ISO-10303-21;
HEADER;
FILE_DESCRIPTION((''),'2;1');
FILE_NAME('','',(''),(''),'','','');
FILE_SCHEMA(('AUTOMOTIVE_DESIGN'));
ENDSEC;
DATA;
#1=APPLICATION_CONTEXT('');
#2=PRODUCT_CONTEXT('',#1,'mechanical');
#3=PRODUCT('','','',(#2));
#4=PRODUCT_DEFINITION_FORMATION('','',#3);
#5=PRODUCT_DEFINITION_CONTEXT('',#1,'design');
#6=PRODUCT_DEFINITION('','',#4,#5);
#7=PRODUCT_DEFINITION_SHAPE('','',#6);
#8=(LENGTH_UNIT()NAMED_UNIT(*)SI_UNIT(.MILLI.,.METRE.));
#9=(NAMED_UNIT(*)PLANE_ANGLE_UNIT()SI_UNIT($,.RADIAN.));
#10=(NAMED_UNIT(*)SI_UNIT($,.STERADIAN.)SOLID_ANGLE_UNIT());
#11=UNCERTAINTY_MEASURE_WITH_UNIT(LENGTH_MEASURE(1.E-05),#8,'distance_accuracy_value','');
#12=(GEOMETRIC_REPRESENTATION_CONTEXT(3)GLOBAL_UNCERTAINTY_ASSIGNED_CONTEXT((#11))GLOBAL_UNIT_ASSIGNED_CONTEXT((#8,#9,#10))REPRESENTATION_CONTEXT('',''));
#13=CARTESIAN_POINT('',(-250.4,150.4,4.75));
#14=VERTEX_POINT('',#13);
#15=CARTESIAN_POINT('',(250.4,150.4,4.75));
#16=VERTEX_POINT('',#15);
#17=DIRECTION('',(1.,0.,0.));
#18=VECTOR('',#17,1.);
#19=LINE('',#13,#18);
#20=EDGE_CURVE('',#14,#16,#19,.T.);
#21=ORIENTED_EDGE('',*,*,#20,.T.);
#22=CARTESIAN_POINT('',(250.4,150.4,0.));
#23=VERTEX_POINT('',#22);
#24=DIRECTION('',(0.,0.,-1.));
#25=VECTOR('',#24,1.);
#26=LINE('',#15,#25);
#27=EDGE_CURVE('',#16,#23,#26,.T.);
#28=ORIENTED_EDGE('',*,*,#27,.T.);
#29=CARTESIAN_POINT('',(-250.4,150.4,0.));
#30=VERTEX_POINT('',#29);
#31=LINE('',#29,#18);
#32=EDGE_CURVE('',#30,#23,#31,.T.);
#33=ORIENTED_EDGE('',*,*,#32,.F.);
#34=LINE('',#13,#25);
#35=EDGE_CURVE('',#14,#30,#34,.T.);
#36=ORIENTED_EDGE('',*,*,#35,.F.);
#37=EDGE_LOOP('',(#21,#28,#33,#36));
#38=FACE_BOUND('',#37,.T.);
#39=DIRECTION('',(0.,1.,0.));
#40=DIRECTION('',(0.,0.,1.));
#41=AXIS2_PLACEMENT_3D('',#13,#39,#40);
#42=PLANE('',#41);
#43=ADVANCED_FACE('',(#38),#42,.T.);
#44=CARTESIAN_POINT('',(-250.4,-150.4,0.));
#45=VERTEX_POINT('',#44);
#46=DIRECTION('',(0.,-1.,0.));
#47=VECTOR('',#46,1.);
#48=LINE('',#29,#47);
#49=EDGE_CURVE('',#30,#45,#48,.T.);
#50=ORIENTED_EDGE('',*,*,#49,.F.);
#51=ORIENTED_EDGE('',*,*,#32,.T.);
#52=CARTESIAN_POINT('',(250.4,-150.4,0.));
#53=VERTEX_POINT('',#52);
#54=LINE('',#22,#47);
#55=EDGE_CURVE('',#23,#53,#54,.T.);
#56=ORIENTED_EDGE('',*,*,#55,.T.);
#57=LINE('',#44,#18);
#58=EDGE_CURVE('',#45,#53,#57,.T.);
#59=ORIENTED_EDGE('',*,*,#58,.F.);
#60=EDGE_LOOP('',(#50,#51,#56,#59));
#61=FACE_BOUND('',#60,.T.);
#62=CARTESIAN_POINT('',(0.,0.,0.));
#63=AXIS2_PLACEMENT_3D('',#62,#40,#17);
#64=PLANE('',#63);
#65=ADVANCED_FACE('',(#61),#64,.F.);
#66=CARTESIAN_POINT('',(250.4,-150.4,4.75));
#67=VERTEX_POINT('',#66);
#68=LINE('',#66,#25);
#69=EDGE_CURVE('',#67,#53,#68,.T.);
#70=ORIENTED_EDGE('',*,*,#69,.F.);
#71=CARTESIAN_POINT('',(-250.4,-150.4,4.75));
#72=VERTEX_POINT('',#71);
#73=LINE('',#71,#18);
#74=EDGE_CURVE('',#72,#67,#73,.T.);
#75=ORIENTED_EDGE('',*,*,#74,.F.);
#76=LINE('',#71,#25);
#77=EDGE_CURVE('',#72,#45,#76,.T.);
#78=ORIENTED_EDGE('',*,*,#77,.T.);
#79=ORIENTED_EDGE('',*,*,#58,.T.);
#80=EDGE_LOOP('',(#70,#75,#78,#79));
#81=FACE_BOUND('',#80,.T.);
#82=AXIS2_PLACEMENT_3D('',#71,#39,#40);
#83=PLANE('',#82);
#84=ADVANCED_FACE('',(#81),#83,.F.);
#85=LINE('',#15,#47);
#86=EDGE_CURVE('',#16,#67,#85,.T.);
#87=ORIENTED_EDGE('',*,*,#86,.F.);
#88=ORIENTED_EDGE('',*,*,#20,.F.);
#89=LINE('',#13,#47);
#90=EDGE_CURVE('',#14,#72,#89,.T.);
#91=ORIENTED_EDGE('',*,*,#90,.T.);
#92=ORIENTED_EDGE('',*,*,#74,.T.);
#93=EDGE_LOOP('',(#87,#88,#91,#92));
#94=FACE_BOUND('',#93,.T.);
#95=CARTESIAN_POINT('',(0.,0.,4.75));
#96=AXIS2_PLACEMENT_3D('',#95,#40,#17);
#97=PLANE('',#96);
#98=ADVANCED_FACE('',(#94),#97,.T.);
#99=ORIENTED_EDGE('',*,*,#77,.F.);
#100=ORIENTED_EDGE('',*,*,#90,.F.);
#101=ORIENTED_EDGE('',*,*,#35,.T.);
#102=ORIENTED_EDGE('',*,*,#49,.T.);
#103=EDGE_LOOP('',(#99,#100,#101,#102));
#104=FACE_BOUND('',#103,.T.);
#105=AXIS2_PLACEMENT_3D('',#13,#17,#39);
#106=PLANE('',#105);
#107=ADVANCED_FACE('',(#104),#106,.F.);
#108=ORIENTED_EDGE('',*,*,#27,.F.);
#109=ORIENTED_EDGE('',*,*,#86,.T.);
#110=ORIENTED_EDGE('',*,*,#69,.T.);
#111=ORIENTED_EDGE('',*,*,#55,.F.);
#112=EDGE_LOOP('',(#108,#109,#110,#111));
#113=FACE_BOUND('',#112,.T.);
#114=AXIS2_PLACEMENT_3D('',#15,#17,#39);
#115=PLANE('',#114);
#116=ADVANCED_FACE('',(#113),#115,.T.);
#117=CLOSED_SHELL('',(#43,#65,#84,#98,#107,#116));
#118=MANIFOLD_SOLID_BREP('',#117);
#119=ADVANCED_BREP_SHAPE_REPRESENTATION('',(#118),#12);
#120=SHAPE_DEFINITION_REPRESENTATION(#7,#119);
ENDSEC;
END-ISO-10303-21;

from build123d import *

# Parameters (mm, degrees)
SKETCH_1_W      = 500.8
SKETCH_1_H      = 300.8
EXTRUDE_1_DEPTH = 4.75


with BuildPart() as part:
    # 草圖1 → 填料-伸長1 (new body)
    with BuildSketch(Plane.XY):
        Rectangle(SKETCH_1_W, SKETCH_1_H)
    extrude(amount=EXTRUDE_1_DEPTH)


solid = part.part
